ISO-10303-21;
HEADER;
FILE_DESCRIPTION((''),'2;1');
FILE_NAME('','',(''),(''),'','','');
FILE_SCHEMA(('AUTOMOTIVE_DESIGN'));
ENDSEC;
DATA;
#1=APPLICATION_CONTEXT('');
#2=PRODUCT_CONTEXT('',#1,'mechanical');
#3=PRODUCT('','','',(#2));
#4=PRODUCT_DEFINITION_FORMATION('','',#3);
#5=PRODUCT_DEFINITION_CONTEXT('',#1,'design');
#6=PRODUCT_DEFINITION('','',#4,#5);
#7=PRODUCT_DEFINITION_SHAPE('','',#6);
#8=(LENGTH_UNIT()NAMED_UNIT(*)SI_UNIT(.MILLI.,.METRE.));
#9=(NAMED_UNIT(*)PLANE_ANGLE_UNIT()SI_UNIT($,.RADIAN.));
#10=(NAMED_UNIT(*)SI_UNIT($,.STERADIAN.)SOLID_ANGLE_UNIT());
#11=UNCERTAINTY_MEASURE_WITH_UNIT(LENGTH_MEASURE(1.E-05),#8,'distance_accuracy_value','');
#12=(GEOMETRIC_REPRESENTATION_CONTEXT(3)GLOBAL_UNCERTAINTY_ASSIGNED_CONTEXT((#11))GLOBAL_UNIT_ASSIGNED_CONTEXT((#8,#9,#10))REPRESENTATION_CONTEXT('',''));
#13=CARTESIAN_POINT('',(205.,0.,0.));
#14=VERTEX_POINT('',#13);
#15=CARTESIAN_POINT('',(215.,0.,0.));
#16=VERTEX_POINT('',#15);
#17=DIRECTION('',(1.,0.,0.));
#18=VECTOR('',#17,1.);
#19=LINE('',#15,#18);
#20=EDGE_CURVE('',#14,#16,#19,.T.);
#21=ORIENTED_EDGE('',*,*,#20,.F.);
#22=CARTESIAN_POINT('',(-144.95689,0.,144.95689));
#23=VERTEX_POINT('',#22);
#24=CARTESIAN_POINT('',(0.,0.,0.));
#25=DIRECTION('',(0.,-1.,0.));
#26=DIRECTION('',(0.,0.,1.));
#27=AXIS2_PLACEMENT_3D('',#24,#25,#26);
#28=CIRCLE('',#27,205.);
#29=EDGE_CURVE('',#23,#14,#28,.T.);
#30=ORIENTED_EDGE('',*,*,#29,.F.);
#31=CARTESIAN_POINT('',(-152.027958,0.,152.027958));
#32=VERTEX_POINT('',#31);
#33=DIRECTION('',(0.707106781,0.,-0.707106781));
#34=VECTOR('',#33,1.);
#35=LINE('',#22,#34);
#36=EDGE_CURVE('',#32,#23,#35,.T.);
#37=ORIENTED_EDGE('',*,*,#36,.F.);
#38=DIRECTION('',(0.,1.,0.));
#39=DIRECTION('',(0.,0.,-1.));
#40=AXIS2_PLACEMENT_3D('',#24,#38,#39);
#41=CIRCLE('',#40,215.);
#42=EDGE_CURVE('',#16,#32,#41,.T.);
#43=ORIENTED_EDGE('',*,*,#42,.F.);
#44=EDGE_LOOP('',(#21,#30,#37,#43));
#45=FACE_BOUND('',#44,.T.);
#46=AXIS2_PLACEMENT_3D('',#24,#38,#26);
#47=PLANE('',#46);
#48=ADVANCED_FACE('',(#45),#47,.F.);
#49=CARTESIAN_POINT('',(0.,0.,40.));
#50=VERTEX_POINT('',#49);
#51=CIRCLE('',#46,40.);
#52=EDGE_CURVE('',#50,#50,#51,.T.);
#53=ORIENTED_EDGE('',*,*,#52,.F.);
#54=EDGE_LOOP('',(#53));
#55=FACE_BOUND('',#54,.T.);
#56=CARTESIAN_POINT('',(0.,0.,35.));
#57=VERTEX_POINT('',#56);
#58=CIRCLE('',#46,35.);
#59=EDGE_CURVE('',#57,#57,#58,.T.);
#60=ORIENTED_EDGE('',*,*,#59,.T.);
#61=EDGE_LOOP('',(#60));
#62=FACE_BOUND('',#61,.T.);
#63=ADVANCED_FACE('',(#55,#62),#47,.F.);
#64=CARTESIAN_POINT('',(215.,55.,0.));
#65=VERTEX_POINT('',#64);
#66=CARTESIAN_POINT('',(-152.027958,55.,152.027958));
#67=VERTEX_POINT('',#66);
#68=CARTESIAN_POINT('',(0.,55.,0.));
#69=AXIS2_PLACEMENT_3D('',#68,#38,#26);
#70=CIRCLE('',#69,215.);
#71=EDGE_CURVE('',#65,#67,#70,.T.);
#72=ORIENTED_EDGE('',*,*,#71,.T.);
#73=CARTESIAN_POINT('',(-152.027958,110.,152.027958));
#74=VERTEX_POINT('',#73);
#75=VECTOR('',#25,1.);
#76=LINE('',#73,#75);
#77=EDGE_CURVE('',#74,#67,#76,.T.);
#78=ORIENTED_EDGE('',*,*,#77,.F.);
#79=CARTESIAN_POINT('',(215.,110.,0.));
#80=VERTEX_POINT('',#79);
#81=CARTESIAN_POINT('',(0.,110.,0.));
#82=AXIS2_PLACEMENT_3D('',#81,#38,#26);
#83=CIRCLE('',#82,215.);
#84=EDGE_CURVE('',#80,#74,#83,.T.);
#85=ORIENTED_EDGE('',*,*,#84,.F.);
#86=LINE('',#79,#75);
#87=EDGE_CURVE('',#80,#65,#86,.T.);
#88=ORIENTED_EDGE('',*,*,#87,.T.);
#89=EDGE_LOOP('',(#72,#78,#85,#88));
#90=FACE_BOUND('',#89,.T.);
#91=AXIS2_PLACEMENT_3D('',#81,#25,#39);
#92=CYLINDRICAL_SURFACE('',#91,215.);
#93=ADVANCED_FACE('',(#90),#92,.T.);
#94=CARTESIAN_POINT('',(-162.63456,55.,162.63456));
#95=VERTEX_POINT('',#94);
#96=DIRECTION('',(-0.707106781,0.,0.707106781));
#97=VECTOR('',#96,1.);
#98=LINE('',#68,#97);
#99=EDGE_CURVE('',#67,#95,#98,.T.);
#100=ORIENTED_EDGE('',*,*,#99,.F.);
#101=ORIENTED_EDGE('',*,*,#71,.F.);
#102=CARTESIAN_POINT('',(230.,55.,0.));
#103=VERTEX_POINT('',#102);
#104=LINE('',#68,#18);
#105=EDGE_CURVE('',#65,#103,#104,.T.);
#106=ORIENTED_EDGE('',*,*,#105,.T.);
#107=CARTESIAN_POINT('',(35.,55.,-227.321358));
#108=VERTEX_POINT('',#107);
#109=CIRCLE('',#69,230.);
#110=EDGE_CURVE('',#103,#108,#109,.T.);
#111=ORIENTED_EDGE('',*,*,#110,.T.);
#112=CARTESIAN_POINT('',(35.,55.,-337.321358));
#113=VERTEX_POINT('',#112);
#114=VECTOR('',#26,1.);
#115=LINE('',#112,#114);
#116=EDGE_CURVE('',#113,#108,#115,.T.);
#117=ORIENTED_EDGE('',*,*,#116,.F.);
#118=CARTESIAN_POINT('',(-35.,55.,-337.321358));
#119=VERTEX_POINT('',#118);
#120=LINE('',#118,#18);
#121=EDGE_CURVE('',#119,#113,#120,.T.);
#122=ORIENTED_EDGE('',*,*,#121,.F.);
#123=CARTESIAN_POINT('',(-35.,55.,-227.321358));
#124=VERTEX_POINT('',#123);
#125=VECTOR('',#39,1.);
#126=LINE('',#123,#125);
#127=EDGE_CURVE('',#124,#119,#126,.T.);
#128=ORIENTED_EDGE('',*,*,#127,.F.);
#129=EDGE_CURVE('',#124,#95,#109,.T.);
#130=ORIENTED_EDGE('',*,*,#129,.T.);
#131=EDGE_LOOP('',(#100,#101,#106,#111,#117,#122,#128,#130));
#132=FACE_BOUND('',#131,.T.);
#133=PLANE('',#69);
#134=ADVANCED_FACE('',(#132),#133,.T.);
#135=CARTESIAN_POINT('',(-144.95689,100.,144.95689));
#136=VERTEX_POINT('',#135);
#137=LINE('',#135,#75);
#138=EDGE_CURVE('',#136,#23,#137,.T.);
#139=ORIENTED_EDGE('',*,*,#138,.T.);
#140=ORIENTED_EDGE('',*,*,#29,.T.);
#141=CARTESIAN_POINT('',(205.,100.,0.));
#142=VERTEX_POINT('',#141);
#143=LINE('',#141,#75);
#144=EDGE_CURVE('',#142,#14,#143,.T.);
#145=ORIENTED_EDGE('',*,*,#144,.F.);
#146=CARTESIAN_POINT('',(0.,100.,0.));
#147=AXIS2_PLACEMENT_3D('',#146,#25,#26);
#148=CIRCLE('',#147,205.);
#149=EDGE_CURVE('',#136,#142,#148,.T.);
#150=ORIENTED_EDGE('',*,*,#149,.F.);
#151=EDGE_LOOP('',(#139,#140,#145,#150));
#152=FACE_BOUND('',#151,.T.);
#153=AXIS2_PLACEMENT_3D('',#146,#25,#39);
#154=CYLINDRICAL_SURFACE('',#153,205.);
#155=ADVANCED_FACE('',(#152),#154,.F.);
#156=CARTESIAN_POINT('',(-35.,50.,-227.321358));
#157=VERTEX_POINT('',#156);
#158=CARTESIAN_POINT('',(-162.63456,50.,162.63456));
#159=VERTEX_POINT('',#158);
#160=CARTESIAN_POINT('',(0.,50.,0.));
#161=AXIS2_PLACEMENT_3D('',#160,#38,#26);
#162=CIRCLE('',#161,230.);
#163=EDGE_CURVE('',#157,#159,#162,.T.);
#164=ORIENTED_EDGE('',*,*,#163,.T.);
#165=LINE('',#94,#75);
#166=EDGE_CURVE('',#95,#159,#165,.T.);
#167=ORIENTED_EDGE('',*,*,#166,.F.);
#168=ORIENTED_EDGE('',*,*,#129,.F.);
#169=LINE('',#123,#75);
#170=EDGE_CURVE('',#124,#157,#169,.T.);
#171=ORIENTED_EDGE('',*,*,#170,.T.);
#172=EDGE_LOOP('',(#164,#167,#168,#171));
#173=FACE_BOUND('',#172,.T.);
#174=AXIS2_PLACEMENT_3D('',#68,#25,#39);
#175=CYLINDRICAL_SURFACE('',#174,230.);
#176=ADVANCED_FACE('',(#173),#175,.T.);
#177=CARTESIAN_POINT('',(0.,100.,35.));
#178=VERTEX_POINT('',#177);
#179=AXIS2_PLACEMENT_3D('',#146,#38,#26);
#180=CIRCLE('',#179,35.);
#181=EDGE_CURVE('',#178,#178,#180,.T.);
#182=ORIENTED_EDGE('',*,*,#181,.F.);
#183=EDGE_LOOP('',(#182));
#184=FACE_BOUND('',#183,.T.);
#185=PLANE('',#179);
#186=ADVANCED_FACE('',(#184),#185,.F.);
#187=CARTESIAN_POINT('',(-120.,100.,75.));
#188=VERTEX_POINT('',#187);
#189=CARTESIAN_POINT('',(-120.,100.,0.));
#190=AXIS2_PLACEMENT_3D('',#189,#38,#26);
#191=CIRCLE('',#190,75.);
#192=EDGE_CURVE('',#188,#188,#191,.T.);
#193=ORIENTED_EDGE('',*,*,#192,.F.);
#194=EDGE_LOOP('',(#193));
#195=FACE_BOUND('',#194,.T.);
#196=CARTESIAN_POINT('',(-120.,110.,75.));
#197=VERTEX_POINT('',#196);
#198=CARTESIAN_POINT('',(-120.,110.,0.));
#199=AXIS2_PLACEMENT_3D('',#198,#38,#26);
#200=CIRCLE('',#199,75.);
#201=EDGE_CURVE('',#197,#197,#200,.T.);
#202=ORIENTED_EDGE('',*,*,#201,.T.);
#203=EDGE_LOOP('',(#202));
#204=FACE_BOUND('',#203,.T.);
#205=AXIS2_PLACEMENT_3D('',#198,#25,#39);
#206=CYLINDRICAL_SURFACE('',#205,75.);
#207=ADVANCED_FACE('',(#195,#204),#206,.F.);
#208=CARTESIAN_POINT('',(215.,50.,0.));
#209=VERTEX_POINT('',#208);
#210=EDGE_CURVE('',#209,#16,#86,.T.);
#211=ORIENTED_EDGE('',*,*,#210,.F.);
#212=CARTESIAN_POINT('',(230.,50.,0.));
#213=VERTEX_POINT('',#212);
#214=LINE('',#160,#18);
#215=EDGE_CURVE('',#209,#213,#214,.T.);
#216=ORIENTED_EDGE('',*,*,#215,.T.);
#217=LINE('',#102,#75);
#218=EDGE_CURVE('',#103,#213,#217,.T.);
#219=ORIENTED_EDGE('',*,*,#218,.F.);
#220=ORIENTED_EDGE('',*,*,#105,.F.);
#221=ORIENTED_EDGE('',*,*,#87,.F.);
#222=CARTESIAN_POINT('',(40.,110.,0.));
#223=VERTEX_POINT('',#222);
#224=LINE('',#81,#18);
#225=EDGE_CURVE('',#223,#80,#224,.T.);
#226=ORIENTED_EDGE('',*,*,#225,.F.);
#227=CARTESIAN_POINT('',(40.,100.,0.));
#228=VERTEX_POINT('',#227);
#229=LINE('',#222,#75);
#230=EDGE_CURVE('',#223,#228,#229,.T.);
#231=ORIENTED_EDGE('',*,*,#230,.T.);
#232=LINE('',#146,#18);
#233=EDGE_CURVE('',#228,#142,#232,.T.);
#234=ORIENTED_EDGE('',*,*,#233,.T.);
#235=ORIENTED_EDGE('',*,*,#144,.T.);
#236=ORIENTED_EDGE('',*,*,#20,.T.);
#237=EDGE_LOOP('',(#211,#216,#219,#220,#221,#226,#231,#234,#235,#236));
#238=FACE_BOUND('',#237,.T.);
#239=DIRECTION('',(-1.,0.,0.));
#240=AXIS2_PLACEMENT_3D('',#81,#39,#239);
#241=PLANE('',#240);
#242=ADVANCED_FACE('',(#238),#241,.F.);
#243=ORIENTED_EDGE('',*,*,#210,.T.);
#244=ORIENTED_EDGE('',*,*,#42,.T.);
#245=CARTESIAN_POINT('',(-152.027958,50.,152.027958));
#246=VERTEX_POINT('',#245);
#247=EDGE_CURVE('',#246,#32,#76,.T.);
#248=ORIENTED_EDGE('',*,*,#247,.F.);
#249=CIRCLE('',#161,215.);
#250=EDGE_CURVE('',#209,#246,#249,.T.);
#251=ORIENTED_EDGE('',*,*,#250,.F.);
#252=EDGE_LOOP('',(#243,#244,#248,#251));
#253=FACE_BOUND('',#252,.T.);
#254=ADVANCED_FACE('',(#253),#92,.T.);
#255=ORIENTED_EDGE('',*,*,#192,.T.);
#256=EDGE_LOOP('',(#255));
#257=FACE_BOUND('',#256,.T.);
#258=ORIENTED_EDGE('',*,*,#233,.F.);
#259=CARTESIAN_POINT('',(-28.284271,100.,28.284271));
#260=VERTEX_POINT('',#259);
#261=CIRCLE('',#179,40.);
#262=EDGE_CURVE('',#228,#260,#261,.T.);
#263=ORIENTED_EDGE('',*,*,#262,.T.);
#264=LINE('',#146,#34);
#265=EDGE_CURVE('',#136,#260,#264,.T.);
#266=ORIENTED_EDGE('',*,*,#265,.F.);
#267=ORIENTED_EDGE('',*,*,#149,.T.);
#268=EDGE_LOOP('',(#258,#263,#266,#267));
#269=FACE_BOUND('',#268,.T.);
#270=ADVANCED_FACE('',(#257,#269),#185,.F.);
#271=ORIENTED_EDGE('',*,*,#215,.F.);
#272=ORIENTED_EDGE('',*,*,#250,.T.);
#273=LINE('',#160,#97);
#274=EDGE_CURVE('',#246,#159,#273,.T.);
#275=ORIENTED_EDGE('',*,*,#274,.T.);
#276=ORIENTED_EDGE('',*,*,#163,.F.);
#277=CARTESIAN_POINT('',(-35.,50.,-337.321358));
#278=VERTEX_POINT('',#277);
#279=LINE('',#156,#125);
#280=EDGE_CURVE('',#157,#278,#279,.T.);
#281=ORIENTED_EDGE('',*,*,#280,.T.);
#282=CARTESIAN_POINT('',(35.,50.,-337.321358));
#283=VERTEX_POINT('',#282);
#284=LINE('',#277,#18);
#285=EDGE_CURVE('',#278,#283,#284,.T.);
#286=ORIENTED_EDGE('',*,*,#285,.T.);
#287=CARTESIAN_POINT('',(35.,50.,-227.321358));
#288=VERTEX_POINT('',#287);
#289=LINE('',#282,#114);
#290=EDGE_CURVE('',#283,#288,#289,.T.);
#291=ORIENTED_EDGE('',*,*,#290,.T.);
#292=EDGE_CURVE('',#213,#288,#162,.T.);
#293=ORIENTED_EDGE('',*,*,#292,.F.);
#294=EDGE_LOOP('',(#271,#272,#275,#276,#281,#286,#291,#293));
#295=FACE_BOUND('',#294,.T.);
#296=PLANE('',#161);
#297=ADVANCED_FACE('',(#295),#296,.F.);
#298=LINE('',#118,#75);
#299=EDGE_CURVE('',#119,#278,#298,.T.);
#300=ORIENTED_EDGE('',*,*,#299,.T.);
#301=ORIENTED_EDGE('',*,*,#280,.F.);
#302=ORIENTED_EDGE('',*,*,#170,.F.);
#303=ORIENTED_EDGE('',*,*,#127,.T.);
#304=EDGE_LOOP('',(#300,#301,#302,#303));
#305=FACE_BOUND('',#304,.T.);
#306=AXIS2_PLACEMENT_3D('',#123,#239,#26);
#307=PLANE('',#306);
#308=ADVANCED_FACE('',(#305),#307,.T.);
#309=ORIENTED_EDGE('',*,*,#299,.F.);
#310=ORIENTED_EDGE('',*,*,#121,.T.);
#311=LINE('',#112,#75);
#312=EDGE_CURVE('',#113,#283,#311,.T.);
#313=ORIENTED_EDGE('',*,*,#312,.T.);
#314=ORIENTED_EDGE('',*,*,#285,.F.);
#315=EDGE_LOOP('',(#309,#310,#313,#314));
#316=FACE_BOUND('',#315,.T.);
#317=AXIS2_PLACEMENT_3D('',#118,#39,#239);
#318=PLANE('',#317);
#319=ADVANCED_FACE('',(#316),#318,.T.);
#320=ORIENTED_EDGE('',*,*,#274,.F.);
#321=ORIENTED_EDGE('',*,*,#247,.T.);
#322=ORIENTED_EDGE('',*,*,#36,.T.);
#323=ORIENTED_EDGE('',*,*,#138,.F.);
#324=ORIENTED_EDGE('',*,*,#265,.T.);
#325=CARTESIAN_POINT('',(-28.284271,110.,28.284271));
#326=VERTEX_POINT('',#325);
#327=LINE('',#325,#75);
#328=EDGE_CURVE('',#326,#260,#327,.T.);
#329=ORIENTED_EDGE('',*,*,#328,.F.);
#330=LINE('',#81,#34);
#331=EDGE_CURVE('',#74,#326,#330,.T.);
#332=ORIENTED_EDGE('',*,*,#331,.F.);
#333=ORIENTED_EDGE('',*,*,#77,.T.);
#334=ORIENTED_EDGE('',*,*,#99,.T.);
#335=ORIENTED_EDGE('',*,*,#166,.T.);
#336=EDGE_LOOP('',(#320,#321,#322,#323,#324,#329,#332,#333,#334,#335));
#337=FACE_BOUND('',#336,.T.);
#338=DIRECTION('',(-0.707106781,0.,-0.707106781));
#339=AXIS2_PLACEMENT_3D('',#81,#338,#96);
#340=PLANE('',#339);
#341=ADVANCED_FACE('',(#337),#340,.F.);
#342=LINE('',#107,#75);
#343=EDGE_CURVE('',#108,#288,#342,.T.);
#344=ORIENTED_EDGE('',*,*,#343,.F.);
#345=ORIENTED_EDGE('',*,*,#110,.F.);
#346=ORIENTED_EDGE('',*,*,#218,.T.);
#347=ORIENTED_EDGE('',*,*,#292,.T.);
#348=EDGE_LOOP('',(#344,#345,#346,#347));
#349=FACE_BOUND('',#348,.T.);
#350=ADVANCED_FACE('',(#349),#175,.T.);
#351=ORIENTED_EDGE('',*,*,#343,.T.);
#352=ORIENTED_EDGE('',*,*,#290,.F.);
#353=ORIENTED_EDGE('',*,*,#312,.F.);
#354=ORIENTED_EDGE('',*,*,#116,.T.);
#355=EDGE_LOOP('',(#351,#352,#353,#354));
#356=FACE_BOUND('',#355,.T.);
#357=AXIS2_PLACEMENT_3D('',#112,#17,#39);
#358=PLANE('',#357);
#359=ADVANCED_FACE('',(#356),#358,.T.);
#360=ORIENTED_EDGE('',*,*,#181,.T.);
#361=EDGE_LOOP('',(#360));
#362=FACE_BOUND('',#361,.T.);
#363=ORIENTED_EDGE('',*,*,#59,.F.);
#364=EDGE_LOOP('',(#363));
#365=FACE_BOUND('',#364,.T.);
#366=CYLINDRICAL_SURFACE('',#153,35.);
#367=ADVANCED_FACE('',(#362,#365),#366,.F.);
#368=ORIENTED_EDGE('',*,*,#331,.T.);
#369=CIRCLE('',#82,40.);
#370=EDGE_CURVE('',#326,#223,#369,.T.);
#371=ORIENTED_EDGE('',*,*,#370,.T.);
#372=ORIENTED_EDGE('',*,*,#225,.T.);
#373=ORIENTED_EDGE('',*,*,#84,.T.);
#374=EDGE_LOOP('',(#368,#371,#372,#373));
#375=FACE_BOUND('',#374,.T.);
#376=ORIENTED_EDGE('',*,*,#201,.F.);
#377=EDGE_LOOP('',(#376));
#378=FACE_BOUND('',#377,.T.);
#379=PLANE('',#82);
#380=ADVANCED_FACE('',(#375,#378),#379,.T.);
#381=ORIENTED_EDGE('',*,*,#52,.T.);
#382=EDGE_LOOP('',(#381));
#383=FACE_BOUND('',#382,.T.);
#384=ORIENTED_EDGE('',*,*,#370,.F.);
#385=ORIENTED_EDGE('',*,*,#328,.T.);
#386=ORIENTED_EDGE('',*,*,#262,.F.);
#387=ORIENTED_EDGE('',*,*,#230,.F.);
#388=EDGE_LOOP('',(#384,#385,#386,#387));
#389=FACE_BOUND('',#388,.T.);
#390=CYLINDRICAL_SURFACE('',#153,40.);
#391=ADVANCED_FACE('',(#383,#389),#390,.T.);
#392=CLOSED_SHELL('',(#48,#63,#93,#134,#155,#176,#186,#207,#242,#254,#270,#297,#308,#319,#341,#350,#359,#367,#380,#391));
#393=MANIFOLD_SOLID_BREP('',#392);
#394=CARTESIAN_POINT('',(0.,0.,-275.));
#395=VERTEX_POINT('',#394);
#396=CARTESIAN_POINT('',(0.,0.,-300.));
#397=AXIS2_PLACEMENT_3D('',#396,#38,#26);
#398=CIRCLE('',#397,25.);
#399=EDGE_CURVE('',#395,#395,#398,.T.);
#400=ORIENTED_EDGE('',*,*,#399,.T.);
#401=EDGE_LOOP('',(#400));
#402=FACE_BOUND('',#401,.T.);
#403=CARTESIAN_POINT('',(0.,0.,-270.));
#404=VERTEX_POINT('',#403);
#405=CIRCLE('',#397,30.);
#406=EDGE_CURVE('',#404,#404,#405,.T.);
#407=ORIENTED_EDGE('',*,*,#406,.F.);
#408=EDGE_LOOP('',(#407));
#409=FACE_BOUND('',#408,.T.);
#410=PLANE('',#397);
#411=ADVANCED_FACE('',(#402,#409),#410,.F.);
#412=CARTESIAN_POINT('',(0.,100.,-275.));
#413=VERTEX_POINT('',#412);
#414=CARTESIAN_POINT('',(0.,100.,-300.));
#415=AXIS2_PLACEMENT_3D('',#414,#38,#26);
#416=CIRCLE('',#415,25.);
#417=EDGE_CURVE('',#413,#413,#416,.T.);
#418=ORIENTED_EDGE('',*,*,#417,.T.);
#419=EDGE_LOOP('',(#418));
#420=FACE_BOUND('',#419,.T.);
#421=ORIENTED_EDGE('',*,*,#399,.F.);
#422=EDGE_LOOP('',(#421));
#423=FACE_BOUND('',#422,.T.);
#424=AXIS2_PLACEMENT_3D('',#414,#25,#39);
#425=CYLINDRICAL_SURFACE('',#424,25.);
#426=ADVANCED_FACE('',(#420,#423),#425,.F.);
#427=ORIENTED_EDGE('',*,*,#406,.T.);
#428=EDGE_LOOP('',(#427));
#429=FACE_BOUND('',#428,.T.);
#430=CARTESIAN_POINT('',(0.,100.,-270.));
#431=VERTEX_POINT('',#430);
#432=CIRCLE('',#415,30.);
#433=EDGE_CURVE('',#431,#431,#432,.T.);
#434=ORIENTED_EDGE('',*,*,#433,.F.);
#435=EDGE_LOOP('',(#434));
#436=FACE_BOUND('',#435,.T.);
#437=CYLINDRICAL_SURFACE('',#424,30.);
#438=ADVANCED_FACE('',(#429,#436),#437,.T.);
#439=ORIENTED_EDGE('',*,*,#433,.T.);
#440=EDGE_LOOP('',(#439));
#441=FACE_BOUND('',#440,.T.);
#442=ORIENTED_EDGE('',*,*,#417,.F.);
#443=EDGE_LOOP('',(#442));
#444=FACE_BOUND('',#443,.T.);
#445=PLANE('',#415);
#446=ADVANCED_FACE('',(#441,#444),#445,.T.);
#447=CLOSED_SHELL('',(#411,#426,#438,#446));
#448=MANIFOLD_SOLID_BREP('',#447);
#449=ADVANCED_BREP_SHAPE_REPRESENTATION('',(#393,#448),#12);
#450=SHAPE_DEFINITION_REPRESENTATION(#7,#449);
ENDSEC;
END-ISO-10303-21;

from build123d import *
from build123d.topology import SkipClean

# Parameters (mm, degrees)
CROQUIS1_R                = 40
CROQUIS1_R_2              = 35
SALIENTE_EXTRUIR1_DEPTH   = 100
CROQUIS2_R                = 30
CROQUIS2_R_2              = 25
SALIENTE_EXTRUIR2_DEPTH   = 100
SALIENTE_EXTRUIR2_2_DEPTH = 100
CROQUIS3_R                = 75
SALIENTE_EXTRUIR3_DEPTH   = 10
SALIENTE_EXTRUIR9_DEPTH   = 5
SALIENTE_EXTRUIR11_DEPTH  = 10


with BuildPart() as part:
    # Croquis1 → Saliente-Extruir1 (new body)
    with BuildSketch(Plane(origin=(0, 0, 0), x_dir=(1, 0, 0), z_dir=(0, 1, 0))):
        Circle(CROQUIS1_R)
        Circle(CROQUIS1_R_2, mode=Mode.SUBTRACT)
    extrude(amount=SALIENTE_EXTRUIR1_DEPTH)



with BuildPart() as body_2:
    # Croquis2 → Saliente-Extruir2 (new body)
    with BuildSketch(Plane(origin=(0, 0, 0), x_dir=(1, 0, 0), z_dir=(0, 1, 0))):
        with Locations((0, 300)):
            Circle(CROQUIS2_R)
        with Locations((0, 300)):
            Circle(CROQUIS2_R_2, mode=Mode.SUBTRACT)
    extrude(amount=SALIENTE_EXTRUIR2_DEPTH)


with BuildPart() as body_3:
    # Croquis2 → Saliente-Extruir2 2 (new body)
    with BuildSketch(Plane(origin=(0, 0, 0), x_dir=(1, 0, 0), z_dir=(0, 1, 0))):
        with BuildLine():
            Line((215, 0), (205, 0))
            ThreePointArc((205, 0), (0, 205), (-205, 0))
            ThreePointArc((-205, 0), (-189.395304, -78.450104), (-144.95689, -144.95689))
            Line((-144.95689, -144.95689), (-152.027958, -152.027958))
            ThreePointArc((-152.027958, -152.027958), (-198.634099, -82.276938), (-215, 0))
            ThreePointArc((-215, 0), (0, 215), (215, 0))
        make_face()
    extrude(amount=SALIENTE_EXTRUIR2_2_DEPTH)


with BuildPart() as part_1:
    add(part.part)

    add(body_3.part)  # Saliente-Extruir3 merges body 3
    # Croquis3 → Saliente-Extruir3 (add)
    with BuildSketch(Plane(origin=(0, 100, 0), x_dir=(1, 0, 0), z_dir=(0, 1, 0))):
        with BuildLine():
            ThreePointArc((215, 0), (-82.276938, 198.634099), (-152.027958, -152.027958))
            Line((-152.027958, -152.027958), (0, 0))
            Line((0, 0), (215, 0))
        make_face()
        with Locations((-120, 0)):
            Circle(CROQUIS3_R, mode=Mode.SUBTRACT)
    extrude(amount=SALIENTE_EXTRUIR3_DEPTH)

    # Croquis6 → Saliente-Extruir9 (add)
    with BuildSketch(Plane(origin=(0, 50, 0), x_dir=(1, 0, 0), z_dir=(0, 1, 0))):
        with BuildLine():
            Line((-162.63456, -162.63456), (-152.027958, -152.027958))
            ThreePointArc((-152.027958, -152.027958), (-82.276938, 198.634099), (215, 0))
            Line((215, 0), (230, 0))
            ThreePointArc((230, 0), (174.570903, 149.749791), (35, 227.321358))
            Line((35, 227.321358), (35, 337.321358))
            Line((35, 337.321358), (-35, 337.321358))
            Line((-35, 337.321358), (-35, 227.321358))
            ThreePointArc((-35, 227.321358), (-218.589248, 71.545375), (-162.63456, -162.63456))
        make_face()
    extrude(amount=SALIENTE_EXTRUIR9_DEPTH)

    # Croquis8 → Saliente-Extruir11 (add)
    with SkipClean():  # the faces are left unmerged after this step: merging them gives an invalid solid
        with BuildSketch(Plane(origin=(0, 100, 0), x_dir=(1, 0, 0), z_dir=(0, 1, 0))):
            with BuildLine():
                Line((0, 0), (-28.284271, -28.284271))
                ThreePointArc((-28.284271, -28.284271), (15.307337, -36.955181), (40, 0))
                Line((40, 0), (0, 0))
            make_face()
        extrude(amount=SALIENTE_EXTRUIR11_DEPTH)


solid = Compound([body_2.part, part_1.part])
